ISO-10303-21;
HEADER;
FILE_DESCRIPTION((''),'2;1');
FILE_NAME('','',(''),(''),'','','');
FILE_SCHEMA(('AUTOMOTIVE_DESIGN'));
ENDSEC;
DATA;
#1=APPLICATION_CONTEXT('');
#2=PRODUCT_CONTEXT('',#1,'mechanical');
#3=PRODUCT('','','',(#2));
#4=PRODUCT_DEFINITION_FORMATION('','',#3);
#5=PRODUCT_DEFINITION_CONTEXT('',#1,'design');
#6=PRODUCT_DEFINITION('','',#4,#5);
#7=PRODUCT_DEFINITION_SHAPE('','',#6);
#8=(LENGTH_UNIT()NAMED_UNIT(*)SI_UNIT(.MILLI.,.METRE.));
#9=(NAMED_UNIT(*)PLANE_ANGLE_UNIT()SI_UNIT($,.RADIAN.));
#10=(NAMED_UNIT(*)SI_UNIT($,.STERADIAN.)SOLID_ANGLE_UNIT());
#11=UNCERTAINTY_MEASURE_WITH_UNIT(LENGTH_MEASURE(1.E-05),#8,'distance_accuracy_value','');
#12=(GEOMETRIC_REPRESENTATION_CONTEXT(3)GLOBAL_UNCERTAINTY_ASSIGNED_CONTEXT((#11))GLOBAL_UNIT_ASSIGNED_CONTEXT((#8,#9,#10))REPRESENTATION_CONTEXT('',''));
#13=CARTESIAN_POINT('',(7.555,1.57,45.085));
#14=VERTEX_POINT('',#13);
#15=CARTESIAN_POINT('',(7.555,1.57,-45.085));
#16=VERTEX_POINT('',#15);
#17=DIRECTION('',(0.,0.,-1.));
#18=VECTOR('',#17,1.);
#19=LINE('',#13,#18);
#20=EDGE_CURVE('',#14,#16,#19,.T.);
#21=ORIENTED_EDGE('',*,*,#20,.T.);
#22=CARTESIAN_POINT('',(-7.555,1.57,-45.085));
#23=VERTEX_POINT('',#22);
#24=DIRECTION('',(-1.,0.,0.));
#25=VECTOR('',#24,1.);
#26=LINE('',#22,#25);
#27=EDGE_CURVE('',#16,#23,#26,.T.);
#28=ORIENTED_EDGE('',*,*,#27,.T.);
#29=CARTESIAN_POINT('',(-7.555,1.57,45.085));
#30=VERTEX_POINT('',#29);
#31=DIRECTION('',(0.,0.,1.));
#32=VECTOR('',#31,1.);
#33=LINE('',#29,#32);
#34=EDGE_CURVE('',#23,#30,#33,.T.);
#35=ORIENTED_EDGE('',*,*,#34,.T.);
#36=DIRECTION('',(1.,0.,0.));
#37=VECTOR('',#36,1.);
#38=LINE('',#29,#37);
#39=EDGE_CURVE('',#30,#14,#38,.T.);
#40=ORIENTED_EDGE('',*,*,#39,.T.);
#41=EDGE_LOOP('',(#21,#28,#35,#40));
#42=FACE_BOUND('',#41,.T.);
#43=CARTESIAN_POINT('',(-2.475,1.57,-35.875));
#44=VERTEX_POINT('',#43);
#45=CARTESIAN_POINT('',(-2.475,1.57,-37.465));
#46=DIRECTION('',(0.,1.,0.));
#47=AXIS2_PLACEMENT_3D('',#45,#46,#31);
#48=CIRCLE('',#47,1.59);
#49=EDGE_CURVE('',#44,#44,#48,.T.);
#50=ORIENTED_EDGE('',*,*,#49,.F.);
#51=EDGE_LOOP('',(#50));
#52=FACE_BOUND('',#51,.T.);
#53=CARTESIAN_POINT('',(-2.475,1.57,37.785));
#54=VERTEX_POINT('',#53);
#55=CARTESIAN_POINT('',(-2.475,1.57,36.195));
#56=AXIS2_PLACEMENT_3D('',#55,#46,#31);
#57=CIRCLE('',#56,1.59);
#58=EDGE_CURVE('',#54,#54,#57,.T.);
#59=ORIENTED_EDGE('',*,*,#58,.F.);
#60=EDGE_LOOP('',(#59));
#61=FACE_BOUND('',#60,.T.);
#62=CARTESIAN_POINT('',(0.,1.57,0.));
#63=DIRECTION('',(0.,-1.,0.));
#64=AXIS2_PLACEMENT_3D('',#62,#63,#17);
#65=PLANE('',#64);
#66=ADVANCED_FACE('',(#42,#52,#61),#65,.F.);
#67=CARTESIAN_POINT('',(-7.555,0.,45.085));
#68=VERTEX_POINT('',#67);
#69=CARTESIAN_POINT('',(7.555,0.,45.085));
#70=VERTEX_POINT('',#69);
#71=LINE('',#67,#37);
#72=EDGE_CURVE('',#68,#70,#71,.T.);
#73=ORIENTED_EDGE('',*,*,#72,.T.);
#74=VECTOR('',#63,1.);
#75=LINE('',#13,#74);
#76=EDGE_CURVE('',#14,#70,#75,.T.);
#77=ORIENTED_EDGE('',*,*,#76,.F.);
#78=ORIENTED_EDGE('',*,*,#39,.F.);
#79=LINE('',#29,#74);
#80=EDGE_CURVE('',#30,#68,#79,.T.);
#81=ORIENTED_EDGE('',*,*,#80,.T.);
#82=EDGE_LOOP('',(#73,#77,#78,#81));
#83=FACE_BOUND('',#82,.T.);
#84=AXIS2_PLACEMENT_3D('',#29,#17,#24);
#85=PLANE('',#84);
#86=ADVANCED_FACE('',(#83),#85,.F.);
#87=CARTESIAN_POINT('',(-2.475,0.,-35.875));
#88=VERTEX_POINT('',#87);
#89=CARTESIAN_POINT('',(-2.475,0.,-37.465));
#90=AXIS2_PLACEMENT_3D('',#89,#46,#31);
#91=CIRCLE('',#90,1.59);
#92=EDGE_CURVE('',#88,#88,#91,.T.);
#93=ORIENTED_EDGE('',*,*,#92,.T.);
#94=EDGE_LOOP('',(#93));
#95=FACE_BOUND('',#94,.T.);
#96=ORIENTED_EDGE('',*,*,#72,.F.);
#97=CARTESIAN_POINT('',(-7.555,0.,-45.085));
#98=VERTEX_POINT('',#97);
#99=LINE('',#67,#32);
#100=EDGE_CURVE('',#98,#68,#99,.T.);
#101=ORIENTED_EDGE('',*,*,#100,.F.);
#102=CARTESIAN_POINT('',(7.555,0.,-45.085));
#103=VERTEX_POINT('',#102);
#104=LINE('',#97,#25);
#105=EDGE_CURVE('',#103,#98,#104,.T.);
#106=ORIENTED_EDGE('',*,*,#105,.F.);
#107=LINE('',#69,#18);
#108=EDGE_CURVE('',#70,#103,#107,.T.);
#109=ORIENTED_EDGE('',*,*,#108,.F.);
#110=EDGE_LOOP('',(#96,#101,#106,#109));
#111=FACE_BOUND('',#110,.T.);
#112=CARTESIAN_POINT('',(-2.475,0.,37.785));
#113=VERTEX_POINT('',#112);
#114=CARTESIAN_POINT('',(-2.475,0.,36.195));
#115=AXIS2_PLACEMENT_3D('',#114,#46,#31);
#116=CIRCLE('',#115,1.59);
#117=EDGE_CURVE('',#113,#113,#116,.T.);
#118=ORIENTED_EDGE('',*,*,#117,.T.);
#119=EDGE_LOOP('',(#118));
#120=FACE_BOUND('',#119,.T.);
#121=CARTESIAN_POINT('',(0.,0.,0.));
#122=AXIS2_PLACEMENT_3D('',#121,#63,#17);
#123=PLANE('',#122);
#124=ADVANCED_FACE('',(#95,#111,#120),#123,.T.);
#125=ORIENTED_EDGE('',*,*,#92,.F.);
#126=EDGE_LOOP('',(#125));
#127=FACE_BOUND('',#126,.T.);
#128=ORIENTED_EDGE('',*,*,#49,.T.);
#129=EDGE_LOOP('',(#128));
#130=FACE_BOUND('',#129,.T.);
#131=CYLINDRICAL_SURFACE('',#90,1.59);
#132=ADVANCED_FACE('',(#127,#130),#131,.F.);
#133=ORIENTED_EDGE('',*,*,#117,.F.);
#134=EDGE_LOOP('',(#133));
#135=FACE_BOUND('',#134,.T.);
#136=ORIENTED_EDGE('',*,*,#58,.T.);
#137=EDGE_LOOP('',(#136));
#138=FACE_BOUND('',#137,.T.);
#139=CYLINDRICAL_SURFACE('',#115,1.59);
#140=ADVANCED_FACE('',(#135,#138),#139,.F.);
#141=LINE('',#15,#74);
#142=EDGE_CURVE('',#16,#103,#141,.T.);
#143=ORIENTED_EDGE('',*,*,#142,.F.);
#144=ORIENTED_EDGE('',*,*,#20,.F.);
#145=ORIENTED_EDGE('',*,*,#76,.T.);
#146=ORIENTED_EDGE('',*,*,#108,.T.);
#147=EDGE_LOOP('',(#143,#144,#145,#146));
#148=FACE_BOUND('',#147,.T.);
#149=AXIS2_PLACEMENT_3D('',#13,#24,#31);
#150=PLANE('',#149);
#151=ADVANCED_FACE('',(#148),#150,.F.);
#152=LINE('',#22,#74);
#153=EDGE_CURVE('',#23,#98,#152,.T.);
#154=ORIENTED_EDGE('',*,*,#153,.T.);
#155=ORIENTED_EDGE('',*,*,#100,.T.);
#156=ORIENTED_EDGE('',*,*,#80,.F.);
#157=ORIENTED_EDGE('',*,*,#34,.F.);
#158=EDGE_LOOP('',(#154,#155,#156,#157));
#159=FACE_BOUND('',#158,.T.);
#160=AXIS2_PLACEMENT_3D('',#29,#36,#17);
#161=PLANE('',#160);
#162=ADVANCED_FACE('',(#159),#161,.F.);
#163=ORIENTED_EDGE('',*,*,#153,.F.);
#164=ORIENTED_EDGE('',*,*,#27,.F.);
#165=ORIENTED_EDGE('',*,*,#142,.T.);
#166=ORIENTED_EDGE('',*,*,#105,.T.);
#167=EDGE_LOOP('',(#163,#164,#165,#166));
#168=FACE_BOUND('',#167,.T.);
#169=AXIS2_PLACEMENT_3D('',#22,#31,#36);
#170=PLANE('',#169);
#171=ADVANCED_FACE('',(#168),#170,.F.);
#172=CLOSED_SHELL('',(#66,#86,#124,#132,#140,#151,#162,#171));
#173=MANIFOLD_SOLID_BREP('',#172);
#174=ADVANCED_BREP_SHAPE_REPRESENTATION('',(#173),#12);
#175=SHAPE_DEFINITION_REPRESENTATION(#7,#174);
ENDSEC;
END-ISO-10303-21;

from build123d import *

# Parameters (mm, degrees)
SKETCH1_W           = 15.11
SKETCH1_H           = 90.17
BOSS_EXTRUDE1_DEPTH = 1.57
SKETCH2_R           = 1.59
CUT_EXTRUDE1_DEPTH  = 46.740574439


with BuildPart() as part:
    # Sketch1 → Boss-Extrude1 (new body)
    with BuildSketch(Plane(origin=(0, 0, 0), x_dir=(1, 0, 0), z_dir=(0, 1, 0))):
        Rectangle(SKETCH1_W, SKETCH1_H)
    extrude(amount=BOSS_EXTRUDE1_DEPTH)

    # Sketch2 → Cut-Extrude1 (cut, through all)
    with BuildSketch(Plane(origin=(0, 1.57, 0), x_dir=(1, 0, 0), z_dir=(0, 1, 0))):
        with Locations(Location((-2.475, -36.195, 0), (0, 0, 270))):
            Circle(SKETCH2_R)
        with Locations(Location((-2.475, 37.465, 0), (0, 0, 270))):
            Circle(SKETCH2_R)
    extrude(amount=-CUT_EXTRUDE1_DEPTH, mode=Mode.SUBTRACT)


solid = part.part
